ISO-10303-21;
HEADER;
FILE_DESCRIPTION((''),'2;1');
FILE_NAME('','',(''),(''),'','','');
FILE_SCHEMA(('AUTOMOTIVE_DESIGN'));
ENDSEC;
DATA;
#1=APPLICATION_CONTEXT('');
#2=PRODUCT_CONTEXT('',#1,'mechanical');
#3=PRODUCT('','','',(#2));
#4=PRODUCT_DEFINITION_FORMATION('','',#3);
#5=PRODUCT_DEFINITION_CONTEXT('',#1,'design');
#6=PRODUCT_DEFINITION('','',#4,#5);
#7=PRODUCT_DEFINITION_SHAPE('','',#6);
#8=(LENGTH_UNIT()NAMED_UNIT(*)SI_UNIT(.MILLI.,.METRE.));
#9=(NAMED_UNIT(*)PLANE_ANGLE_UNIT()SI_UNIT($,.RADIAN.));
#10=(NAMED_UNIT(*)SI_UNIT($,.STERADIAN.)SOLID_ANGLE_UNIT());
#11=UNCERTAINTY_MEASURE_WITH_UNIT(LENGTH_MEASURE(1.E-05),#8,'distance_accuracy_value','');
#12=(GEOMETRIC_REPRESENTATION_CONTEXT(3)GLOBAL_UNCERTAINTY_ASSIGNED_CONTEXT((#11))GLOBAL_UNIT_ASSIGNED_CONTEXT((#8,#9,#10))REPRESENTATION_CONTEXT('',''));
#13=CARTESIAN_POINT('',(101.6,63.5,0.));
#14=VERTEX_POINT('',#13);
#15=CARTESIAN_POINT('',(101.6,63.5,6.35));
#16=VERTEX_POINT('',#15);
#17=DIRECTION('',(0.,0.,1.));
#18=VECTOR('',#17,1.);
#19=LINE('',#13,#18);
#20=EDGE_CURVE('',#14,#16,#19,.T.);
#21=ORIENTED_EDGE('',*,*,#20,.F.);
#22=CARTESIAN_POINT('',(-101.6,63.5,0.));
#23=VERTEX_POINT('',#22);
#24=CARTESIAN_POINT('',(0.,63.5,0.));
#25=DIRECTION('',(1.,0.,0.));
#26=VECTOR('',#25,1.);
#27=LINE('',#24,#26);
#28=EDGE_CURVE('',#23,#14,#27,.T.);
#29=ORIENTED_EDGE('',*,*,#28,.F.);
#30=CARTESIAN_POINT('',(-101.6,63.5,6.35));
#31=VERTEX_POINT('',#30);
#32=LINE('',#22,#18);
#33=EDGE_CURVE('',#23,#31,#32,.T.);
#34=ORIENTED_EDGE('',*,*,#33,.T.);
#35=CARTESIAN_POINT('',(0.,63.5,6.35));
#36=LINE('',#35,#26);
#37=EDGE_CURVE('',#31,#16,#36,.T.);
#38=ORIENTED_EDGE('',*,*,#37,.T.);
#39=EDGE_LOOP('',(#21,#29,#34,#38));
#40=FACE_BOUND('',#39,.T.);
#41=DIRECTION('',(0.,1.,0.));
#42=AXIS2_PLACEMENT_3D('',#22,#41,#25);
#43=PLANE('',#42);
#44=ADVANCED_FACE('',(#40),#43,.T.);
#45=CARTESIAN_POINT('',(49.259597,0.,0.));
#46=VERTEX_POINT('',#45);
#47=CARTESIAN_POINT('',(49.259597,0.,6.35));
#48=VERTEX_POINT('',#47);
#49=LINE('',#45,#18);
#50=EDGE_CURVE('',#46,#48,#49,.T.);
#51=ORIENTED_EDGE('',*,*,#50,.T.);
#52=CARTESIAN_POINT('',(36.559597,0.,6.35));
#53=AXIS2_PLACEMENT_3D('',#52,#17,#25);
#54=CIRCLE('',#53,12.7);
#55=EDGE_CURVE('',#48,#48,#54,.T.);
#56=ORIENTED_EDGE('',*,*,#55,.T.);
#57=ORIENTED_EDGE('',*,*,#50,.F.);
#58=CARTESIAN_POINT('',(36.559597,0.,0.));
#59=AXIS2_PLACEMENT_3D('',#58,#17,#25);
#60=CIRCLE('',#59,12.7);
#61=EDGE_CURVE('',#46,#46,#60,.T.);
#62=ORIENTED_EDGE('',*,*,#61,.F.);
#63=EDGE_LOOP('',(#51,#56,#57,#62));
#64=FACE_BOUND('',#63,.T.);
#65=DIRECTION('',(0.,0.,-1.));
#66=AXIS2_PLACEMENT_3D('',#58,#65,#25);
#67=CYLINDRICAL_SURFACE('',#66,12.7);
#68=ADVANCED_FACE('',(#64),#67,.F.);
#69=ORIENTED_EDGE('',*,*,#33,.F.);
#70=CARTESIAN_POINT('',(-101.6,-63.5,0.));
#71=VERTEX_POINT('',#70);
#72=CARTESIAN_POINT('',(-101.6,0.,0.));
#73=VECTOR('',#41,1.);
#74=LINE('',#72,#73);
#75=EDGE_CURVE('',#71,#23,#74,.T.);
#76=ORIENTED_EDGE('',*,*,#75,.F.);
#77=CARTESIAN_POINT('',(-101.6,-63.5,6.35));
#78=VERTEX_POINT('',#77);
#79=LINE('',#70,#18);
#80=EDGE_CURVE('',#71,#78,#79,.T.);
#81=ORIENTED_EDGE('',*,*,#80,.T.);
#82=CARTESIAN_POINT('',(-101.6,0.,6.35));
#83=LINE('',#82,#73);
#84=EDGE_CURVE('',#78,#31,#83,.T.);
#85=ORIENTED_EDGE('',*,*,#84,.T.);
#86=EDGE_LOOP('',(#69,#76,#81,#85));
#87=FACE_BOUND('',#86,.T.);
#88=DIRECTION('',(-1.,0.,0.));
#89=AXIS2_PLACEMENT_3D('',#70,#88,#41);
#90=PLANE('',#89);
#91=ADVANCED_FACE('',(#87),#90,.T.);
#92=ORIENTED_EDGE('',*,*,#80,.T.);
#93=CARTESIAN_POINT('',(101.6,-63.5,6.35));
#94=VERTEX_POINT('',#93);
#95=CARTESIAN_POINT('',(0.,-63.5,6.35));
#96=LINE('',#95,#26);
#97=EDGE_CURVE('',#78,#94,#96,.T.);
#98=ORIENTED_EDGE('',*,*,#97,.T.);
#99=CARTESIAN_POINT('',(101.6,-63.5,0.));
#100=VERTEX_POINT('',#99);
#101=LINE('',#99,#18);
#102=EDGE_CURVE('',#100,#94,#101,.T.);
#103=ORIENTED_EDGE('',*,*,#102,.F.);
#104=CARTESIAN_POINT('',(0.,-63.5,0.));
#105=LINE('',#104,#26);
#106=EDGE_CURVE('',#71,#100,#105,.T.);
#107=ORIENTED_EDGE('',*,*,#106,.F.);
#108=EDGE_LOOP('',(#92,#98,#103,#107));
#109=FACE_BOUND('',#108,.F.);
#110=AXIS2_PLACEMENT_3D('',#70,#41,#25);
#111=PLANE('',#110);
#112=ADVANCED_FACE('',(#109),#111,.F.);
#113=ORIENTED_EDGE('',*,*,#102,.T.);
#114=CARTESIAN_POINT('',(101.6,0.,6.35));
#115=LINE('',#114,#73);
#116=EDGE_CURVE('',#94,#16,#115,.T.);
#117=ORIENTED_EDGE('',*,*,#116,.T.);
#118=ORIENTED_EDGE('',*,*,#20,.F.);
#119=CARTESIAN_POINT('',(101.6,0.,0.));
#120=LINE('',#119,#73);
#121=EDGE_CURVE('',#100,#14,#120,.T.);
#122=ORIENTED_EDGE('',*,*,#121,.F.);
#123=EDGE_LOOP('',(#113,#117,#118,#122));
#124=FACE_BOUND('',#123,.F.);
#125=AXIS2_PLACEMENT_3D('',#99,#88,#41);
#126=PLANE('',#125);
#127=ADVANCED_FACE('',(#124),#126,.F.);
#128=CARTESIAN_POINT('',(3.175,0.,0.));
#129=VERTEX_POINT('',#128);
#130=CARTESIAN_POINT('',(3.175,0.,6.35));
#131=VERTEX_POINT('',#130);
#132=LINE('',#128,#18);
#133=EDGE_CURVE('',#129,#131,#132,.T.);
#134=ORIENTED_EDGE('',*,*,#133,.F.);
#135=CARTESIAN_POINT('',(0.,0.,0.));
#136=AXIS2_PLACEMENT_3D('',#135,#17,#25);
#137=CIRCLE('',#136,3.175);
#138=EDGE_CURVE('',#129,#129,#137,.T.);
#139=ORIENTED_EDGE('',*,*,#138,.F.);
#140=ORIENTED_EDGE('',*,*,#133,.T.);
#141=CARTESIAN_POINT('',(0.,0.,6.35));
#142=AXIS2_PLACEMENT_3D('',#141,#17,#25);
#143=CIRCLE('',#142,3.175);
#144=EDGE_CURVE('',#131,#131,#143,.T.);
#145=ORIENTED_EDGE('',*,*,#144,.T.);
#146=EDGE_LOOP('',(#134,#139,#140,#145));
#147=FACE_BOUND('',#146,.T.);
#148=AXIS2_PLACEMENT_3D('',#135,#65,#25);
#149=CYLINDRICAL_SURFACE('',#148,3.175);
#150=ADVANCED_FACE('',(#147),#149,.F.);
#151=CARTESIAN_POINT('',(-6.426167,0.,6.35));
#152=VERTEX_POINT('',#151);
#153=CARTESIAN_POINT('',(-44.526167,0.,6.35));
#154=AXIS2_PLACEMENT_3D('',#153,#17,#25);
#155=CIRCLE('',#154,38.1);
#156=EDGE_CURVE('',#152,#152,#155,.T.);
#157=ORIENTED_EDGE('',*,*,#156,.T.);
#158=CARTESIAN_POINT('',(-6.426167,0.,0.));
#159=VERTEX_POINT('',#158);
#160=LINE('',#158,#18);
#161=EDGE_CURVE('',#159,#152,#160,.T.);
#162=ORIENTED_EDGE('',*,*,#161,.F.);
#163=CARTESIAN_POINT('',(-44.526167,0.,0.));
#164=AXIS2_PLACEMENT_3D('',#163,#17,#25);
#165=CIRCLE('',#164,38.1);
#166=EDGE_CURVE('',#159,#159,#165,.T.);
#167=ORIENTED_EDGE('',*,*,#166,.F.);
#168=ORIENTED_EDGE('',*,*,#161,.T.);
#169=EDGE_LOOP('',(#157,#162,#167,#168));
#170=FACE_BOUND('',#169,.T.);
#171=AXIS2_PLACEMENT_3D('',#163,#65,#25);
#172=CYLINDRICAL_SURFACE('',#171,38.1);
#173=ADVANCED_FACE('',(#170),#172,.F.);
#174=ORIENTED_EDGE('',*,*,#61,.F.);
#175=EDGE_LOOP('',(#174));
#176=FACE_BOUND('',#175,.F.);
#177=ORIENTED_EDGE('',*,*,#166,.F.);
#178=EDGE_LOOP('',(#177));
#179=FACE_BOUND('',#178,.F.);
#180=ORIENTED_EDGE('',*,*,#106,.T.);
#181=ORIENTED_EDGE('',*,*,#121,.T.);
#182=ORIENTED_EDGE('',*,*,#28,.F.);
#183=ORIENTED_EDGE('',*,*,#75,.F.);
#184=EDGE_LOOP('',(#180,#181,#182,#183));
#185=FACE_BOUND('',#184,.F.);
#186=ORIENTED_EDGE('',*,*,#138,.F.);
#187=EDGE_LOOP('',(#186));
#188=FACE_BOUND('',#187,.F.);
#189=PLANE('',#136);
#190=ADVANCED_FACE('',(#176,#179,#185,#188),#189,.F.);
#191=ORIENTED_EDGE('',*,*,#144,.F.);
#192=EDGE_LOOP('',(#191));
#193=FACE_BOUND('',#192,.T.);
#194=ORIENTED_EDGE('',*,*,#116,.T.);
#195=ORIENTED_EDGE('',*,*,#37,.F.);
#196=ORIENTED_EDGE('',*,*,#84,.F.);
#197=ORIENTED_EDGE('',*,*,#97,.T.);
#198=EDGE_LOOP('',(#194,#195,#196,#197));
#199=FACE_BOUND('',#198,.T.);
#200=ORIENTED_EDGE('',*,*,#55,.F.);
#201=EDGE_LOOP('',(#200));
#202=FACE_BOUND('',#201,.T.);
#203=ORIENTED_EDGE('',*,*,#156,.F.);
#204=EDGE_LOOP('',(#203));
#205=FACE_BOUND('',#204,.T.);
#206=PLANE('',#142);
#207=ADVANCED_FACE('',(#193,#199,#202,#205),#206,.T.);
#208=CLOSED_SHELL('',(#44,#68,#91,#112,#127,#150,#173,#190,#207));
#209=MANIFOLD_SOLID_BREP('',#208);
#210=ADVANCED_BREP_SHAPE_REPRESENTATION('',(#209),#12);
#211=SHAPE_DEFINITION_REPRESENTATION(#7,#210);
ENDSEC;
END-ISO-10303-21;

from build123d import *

# Parameters (mm, degrees)
F0_W     = 203.2
F0_H     = 127
F0_R     = 38.1
F0_R_2   = 3.175
F0_R_3   = 12.7
F1_DEPTH = 6.35


with BuildPart() as f1:
    # F0 (on Top) → F1 (new body)
    with BuildSketch(Plane.XY):
        Rectangle(F0_W, F0_H)
        with Locations((-44.526167, 0)):
            Circle(F0_R, mode=Mode.SUBTRACT)
        Circle(F0_R_2, mode=Mode.SUBTRACT)
        with Locations((36.559597, 0)):
            Circle(F0_R_3, mode=Mode.SUBTRACT)
    extrude(amount=F1_DEPTH)


solid = f1.part
